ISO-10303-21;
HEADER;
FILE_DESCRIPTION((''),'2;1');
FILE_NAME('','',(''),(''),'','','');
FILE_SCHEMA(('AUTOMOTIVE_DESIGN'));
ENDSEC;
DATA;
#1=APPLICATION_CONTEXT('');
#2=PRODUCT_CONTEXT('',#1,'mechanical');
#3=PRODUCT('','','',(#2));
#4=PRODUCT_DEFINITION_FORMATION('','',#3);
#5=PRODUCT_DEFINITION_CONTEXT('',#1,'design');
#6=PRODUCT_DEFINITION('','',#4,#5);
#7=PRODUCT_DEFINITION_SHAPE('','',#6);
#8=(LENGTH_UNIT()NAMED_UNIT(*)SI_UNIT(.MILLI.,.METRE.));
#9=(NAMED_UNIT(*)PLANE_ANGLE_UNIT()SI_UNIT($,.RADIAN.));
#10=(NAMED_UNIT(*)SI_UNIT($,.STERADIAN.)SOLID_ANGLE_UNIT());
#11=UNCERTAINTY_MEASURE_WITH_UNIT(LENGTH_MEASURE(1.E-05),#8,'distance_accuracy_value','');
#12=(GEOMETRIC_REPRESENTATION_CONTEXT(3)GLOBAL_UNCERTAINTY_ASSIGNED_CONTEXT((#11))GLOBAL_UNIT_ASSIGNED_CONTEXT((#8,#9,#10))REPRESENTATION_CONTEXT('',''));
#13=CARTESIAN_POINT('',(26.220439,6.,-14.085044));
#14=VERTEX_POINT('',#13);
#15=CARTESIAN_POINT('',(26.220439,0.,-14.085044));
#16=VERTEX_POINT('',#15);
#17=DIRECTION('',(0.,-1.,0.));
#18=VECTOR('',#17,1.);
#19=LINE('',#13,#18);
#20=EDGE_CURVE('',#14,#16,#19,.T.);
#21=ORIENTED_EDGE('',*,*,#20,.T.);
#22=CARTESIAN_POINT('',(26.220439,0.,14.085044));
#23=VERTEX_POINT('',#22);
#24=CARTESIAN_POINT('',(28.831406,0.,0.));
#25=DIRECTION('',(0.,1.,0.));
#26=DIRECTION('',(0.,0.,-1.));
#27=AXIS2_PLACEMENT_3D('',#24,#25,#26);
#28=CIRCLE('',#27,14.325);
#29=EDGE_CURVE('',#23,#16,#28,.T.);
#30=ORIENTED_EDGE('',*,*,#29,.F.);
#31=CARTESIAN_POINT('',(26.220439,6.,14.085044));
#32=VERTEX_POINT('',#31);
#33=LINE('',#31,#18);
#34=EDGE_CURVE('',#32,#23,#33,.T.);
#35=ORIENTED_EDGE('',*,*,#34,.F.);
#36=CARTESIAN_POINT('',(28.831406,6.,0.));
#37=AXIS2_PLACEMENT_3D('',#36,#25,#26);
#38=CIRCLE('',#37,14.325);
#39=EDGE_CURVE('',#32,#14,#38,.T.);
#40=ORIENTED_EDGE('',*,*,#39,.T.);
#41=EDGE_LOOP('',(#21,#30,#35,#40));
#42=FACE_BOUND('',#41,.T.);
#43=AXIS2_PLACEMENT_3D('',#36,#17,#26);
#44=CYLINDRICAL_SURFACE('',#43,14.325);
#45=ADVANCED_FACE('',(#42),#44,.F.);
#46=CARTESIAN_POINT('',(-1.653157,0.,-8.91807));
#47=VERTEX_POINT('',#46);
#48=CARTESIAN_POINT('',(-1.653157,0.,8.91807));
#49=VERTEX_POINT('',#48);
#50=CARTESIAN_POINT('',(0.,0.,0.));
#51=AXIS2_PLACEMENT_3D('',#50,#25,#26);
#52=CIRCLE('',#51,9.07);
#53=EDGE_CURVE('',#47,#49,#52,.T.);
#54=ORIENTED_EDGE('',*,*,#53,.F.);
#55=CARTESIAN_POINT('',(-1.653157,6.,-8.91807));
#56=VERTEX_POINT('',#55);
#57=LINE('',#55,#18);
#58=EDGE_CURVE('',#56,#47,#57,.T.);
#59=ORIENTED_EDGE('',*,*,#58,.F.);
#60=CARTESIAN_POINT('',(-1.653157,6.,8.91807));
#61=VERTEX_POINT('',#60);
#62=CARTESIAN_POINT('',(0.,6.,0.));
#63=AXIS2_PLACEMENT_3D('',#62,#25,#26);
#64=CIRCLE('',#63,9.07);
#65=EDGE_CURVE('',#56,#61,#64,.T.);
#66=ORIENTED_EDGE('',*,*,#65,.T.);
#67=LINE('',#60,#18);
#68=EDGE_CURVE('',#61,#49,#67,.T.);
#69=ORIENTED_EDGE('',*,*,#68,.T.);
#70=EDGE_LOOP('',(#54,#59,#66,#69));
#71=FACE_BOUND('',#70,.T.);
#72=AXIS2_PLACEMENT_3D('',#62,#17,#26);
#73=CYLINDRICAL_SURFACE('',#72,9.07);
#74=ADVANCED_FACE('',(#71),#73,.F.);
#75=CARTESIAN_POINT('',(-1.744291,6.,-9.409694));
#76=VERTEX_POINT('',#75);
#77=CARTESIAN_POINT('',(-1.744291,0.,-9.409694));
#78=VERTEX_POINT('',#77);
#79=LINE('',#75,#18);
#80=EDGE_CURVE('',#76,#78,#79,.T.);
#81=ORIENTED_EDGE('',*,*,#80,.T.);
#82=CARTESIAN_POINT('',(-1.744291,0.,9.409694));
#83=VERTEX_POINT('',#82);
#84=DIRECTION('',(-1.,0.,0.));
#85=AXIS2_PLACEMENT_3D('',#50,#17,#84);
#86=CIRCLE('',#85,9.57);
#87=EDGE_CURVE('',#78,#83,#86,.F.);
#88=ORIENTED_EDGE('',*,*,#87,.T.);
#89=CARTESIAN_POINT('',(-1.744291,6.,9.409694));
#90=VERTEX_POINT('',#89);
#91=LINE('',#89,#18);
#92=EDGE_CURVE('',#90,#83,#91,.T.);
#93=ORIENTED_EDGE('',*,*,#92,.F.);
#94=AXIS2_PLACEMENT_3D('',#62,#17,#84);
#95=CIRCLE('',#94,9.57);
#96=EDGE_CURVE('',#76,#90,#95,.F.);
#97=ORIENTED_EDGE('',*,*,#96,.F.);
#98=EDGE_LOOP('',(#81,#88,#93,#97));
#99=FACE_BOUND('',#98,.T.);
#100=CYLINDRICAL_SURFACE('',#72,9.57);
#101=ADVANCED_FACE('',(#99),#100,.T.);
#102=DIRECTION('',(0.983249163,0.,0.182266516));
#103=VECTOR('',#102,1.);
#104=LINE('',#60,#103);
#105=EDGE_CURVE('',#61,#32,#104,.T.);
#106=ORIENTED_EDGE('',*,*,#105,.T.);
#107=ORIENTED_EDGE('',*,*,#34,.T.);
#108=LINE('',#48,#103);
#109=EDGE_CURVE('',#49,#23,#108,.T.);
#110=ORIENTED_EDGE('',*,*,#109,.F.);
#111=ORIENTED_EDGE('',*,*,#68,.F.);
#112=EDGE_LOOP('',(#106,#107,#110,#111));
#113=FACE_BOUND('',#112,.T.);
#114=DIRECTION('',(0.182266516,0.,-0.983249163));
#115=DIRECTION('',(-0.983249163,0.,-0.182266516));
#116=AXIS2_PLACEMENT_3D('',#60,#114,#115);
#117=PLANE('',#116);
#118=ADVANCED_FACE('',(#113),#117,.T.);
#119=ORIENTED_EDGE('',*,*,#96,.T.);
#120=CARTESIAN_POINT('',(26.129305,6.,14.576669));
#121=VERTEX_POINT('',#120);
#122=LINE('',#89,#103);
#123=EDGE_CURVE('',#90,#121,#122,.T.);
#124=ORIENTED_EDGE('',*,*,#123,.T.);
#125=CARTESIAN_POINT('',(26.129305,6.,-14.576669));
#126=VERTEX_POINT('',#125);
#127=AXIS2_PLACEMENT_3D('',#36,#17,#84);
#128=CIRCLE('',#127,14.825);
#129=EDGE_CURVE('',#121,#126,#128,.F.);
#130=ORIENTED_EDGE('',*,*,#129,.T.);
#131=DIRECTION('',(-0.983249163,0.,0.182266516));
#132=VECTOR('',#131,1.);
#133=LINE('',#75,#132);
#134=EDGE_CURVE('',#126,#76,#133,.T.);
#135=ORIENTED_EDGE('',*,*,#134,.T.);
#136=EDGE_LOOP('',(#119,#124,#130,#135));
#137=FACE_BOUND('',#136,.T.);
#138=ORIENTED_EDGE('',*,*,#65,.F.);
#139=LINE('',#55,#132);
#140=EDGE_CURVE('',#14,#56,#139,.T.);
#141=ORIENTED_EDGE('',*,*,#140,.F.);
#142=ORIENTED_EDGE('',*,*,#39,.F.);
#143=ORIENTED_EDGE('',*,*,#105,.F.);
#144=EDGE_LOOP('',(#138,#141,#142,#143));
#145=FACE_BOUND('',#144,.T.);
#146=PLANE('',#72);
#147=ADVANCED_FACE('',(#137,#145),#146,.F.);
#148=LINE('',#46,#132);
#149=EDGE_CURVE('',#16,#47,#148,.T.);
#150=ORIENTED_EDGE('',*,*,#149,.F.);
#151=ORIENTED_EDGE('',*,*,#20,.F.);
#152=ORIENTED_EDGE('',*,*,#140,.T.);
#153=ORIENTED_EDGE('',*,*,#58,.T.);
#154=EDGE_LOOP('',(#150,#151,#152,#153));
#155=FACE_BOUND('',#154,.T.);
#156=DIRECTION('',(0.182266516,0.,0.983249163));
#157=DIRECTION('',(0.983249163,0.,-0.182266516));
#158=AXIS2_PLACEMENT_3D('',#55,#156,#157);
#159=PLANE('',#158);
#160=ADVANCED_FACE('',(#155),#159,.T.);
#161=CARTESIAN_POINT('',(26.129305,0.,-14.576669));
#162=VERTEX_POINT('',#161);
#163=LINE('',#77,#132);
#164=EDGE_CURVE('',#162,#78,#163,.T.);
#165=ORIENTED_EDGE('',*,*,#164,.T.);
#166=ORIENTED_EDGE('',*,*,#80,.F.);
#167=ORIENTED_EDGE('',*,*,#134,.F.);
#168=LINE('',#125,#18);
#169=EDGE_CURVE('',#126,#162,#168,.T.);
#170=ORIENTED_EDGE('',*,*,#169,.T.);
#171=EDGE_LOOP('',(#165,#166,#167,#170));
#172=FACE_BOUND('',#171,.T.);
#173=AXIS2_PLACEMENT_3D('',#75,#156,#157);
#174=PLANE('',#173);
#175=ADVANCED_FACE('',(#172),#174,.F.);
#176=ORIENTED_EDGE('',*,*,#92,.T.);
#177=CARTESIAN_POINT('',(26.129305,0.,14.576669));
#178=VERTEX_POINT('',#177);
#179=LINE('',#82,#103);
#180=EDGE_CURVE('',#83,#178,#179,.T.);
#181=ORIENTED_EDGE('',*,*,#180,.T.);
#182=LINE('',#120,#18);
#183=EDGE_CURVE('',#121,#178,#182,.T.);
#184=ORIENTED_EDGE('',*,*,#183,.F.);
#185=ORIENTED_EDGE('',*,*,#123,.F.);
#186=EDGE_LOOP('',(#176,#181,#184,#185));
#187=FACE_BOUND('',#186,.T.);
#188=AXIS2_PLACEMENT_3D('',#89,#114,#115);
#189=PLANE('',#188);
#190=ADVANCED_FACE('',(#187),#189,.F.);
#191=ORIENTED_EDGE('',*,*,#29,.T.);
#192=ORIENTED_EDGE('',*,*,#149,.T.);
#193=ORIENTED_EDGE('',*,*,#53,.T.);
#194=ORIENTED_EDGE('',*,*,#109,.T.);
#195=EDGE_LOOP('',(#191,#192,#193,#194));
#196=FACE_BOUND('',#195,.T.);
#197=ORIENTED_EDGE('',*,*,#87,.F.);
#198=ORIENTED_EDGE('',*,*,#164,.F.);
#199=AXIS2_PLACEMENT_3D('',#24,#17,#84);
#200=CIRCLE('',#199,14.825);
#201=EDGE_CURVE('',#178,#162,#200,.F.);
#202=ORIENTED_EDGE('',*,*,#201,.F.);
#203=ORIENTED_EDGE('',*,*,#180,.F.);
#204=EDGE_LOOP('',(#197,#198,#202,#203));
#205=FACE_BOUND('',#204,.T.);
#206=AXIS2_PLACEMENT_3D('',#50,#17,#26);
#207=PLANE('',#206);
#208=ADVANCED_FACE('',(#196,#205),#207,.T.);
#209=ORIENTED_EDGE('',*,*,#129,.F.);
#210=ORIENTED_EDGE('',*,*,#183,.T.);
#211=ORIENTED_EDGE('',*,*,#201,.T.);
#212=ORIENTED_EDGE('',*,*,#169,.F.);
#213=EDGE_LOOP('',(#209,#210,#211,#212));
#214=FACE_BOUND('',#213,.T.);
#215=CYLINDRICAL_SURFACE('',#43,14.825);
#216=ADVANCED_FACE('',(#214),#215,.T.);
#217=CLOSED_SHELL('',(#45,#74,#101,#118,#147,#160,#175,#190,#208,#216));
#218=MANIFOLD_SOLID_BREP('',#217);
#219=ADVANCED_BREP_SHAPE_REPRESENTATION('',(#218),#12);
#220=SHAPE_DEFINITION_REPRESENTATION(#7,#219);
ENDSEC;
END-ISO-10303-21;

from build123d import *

# Parameters (mm, degrees)
EXTRU_MINCE1_DEPTH = 6


with BuildPart() as part:
    # Esquisse1 → Extru.-Mince1 (new body)
    with BuildSketch(Plane(origin=(0, 0, 0), x_dir=(1, 0, 0), z_dir=(0, 1, 0))):
        with BuildLine():
            Line((26.129305397, -14.576668847), (-1.744290554, -9.409694494))
            ThreePointArc((-1.744290554, -9.409694494), (-9.57, 0), (-1.744290554, 9.409694494))
            Line((-1.744290554, 9.409694494), (26.129305397, 14.576668847))
            ThreePointArc((26.129305397, 14.576668847), (43.65640649, 0), (26.129305397, -14.576668847))
        make_face()
        with BuildLine():
            Line((26.220438654, -14.085044266), (-1.653157296, -8.918069912))
            ThreePointArc((-1.653157296, -8.918069912), (-9.07, 0), (-1.653157296, 8.918069912))
            Line((-1.653157296, 8.918069912), (26.220438654, 14.085044266))
            ThreePointArc((26.220438654, 14.085044266), (43.15640649, 0), (26.220438654, -14.085044266))
        make_face(mode=Mode.SUBTRACT)
    extrude(amount=EXTRU_MINCE1_DEPTH)


solid = part.part
